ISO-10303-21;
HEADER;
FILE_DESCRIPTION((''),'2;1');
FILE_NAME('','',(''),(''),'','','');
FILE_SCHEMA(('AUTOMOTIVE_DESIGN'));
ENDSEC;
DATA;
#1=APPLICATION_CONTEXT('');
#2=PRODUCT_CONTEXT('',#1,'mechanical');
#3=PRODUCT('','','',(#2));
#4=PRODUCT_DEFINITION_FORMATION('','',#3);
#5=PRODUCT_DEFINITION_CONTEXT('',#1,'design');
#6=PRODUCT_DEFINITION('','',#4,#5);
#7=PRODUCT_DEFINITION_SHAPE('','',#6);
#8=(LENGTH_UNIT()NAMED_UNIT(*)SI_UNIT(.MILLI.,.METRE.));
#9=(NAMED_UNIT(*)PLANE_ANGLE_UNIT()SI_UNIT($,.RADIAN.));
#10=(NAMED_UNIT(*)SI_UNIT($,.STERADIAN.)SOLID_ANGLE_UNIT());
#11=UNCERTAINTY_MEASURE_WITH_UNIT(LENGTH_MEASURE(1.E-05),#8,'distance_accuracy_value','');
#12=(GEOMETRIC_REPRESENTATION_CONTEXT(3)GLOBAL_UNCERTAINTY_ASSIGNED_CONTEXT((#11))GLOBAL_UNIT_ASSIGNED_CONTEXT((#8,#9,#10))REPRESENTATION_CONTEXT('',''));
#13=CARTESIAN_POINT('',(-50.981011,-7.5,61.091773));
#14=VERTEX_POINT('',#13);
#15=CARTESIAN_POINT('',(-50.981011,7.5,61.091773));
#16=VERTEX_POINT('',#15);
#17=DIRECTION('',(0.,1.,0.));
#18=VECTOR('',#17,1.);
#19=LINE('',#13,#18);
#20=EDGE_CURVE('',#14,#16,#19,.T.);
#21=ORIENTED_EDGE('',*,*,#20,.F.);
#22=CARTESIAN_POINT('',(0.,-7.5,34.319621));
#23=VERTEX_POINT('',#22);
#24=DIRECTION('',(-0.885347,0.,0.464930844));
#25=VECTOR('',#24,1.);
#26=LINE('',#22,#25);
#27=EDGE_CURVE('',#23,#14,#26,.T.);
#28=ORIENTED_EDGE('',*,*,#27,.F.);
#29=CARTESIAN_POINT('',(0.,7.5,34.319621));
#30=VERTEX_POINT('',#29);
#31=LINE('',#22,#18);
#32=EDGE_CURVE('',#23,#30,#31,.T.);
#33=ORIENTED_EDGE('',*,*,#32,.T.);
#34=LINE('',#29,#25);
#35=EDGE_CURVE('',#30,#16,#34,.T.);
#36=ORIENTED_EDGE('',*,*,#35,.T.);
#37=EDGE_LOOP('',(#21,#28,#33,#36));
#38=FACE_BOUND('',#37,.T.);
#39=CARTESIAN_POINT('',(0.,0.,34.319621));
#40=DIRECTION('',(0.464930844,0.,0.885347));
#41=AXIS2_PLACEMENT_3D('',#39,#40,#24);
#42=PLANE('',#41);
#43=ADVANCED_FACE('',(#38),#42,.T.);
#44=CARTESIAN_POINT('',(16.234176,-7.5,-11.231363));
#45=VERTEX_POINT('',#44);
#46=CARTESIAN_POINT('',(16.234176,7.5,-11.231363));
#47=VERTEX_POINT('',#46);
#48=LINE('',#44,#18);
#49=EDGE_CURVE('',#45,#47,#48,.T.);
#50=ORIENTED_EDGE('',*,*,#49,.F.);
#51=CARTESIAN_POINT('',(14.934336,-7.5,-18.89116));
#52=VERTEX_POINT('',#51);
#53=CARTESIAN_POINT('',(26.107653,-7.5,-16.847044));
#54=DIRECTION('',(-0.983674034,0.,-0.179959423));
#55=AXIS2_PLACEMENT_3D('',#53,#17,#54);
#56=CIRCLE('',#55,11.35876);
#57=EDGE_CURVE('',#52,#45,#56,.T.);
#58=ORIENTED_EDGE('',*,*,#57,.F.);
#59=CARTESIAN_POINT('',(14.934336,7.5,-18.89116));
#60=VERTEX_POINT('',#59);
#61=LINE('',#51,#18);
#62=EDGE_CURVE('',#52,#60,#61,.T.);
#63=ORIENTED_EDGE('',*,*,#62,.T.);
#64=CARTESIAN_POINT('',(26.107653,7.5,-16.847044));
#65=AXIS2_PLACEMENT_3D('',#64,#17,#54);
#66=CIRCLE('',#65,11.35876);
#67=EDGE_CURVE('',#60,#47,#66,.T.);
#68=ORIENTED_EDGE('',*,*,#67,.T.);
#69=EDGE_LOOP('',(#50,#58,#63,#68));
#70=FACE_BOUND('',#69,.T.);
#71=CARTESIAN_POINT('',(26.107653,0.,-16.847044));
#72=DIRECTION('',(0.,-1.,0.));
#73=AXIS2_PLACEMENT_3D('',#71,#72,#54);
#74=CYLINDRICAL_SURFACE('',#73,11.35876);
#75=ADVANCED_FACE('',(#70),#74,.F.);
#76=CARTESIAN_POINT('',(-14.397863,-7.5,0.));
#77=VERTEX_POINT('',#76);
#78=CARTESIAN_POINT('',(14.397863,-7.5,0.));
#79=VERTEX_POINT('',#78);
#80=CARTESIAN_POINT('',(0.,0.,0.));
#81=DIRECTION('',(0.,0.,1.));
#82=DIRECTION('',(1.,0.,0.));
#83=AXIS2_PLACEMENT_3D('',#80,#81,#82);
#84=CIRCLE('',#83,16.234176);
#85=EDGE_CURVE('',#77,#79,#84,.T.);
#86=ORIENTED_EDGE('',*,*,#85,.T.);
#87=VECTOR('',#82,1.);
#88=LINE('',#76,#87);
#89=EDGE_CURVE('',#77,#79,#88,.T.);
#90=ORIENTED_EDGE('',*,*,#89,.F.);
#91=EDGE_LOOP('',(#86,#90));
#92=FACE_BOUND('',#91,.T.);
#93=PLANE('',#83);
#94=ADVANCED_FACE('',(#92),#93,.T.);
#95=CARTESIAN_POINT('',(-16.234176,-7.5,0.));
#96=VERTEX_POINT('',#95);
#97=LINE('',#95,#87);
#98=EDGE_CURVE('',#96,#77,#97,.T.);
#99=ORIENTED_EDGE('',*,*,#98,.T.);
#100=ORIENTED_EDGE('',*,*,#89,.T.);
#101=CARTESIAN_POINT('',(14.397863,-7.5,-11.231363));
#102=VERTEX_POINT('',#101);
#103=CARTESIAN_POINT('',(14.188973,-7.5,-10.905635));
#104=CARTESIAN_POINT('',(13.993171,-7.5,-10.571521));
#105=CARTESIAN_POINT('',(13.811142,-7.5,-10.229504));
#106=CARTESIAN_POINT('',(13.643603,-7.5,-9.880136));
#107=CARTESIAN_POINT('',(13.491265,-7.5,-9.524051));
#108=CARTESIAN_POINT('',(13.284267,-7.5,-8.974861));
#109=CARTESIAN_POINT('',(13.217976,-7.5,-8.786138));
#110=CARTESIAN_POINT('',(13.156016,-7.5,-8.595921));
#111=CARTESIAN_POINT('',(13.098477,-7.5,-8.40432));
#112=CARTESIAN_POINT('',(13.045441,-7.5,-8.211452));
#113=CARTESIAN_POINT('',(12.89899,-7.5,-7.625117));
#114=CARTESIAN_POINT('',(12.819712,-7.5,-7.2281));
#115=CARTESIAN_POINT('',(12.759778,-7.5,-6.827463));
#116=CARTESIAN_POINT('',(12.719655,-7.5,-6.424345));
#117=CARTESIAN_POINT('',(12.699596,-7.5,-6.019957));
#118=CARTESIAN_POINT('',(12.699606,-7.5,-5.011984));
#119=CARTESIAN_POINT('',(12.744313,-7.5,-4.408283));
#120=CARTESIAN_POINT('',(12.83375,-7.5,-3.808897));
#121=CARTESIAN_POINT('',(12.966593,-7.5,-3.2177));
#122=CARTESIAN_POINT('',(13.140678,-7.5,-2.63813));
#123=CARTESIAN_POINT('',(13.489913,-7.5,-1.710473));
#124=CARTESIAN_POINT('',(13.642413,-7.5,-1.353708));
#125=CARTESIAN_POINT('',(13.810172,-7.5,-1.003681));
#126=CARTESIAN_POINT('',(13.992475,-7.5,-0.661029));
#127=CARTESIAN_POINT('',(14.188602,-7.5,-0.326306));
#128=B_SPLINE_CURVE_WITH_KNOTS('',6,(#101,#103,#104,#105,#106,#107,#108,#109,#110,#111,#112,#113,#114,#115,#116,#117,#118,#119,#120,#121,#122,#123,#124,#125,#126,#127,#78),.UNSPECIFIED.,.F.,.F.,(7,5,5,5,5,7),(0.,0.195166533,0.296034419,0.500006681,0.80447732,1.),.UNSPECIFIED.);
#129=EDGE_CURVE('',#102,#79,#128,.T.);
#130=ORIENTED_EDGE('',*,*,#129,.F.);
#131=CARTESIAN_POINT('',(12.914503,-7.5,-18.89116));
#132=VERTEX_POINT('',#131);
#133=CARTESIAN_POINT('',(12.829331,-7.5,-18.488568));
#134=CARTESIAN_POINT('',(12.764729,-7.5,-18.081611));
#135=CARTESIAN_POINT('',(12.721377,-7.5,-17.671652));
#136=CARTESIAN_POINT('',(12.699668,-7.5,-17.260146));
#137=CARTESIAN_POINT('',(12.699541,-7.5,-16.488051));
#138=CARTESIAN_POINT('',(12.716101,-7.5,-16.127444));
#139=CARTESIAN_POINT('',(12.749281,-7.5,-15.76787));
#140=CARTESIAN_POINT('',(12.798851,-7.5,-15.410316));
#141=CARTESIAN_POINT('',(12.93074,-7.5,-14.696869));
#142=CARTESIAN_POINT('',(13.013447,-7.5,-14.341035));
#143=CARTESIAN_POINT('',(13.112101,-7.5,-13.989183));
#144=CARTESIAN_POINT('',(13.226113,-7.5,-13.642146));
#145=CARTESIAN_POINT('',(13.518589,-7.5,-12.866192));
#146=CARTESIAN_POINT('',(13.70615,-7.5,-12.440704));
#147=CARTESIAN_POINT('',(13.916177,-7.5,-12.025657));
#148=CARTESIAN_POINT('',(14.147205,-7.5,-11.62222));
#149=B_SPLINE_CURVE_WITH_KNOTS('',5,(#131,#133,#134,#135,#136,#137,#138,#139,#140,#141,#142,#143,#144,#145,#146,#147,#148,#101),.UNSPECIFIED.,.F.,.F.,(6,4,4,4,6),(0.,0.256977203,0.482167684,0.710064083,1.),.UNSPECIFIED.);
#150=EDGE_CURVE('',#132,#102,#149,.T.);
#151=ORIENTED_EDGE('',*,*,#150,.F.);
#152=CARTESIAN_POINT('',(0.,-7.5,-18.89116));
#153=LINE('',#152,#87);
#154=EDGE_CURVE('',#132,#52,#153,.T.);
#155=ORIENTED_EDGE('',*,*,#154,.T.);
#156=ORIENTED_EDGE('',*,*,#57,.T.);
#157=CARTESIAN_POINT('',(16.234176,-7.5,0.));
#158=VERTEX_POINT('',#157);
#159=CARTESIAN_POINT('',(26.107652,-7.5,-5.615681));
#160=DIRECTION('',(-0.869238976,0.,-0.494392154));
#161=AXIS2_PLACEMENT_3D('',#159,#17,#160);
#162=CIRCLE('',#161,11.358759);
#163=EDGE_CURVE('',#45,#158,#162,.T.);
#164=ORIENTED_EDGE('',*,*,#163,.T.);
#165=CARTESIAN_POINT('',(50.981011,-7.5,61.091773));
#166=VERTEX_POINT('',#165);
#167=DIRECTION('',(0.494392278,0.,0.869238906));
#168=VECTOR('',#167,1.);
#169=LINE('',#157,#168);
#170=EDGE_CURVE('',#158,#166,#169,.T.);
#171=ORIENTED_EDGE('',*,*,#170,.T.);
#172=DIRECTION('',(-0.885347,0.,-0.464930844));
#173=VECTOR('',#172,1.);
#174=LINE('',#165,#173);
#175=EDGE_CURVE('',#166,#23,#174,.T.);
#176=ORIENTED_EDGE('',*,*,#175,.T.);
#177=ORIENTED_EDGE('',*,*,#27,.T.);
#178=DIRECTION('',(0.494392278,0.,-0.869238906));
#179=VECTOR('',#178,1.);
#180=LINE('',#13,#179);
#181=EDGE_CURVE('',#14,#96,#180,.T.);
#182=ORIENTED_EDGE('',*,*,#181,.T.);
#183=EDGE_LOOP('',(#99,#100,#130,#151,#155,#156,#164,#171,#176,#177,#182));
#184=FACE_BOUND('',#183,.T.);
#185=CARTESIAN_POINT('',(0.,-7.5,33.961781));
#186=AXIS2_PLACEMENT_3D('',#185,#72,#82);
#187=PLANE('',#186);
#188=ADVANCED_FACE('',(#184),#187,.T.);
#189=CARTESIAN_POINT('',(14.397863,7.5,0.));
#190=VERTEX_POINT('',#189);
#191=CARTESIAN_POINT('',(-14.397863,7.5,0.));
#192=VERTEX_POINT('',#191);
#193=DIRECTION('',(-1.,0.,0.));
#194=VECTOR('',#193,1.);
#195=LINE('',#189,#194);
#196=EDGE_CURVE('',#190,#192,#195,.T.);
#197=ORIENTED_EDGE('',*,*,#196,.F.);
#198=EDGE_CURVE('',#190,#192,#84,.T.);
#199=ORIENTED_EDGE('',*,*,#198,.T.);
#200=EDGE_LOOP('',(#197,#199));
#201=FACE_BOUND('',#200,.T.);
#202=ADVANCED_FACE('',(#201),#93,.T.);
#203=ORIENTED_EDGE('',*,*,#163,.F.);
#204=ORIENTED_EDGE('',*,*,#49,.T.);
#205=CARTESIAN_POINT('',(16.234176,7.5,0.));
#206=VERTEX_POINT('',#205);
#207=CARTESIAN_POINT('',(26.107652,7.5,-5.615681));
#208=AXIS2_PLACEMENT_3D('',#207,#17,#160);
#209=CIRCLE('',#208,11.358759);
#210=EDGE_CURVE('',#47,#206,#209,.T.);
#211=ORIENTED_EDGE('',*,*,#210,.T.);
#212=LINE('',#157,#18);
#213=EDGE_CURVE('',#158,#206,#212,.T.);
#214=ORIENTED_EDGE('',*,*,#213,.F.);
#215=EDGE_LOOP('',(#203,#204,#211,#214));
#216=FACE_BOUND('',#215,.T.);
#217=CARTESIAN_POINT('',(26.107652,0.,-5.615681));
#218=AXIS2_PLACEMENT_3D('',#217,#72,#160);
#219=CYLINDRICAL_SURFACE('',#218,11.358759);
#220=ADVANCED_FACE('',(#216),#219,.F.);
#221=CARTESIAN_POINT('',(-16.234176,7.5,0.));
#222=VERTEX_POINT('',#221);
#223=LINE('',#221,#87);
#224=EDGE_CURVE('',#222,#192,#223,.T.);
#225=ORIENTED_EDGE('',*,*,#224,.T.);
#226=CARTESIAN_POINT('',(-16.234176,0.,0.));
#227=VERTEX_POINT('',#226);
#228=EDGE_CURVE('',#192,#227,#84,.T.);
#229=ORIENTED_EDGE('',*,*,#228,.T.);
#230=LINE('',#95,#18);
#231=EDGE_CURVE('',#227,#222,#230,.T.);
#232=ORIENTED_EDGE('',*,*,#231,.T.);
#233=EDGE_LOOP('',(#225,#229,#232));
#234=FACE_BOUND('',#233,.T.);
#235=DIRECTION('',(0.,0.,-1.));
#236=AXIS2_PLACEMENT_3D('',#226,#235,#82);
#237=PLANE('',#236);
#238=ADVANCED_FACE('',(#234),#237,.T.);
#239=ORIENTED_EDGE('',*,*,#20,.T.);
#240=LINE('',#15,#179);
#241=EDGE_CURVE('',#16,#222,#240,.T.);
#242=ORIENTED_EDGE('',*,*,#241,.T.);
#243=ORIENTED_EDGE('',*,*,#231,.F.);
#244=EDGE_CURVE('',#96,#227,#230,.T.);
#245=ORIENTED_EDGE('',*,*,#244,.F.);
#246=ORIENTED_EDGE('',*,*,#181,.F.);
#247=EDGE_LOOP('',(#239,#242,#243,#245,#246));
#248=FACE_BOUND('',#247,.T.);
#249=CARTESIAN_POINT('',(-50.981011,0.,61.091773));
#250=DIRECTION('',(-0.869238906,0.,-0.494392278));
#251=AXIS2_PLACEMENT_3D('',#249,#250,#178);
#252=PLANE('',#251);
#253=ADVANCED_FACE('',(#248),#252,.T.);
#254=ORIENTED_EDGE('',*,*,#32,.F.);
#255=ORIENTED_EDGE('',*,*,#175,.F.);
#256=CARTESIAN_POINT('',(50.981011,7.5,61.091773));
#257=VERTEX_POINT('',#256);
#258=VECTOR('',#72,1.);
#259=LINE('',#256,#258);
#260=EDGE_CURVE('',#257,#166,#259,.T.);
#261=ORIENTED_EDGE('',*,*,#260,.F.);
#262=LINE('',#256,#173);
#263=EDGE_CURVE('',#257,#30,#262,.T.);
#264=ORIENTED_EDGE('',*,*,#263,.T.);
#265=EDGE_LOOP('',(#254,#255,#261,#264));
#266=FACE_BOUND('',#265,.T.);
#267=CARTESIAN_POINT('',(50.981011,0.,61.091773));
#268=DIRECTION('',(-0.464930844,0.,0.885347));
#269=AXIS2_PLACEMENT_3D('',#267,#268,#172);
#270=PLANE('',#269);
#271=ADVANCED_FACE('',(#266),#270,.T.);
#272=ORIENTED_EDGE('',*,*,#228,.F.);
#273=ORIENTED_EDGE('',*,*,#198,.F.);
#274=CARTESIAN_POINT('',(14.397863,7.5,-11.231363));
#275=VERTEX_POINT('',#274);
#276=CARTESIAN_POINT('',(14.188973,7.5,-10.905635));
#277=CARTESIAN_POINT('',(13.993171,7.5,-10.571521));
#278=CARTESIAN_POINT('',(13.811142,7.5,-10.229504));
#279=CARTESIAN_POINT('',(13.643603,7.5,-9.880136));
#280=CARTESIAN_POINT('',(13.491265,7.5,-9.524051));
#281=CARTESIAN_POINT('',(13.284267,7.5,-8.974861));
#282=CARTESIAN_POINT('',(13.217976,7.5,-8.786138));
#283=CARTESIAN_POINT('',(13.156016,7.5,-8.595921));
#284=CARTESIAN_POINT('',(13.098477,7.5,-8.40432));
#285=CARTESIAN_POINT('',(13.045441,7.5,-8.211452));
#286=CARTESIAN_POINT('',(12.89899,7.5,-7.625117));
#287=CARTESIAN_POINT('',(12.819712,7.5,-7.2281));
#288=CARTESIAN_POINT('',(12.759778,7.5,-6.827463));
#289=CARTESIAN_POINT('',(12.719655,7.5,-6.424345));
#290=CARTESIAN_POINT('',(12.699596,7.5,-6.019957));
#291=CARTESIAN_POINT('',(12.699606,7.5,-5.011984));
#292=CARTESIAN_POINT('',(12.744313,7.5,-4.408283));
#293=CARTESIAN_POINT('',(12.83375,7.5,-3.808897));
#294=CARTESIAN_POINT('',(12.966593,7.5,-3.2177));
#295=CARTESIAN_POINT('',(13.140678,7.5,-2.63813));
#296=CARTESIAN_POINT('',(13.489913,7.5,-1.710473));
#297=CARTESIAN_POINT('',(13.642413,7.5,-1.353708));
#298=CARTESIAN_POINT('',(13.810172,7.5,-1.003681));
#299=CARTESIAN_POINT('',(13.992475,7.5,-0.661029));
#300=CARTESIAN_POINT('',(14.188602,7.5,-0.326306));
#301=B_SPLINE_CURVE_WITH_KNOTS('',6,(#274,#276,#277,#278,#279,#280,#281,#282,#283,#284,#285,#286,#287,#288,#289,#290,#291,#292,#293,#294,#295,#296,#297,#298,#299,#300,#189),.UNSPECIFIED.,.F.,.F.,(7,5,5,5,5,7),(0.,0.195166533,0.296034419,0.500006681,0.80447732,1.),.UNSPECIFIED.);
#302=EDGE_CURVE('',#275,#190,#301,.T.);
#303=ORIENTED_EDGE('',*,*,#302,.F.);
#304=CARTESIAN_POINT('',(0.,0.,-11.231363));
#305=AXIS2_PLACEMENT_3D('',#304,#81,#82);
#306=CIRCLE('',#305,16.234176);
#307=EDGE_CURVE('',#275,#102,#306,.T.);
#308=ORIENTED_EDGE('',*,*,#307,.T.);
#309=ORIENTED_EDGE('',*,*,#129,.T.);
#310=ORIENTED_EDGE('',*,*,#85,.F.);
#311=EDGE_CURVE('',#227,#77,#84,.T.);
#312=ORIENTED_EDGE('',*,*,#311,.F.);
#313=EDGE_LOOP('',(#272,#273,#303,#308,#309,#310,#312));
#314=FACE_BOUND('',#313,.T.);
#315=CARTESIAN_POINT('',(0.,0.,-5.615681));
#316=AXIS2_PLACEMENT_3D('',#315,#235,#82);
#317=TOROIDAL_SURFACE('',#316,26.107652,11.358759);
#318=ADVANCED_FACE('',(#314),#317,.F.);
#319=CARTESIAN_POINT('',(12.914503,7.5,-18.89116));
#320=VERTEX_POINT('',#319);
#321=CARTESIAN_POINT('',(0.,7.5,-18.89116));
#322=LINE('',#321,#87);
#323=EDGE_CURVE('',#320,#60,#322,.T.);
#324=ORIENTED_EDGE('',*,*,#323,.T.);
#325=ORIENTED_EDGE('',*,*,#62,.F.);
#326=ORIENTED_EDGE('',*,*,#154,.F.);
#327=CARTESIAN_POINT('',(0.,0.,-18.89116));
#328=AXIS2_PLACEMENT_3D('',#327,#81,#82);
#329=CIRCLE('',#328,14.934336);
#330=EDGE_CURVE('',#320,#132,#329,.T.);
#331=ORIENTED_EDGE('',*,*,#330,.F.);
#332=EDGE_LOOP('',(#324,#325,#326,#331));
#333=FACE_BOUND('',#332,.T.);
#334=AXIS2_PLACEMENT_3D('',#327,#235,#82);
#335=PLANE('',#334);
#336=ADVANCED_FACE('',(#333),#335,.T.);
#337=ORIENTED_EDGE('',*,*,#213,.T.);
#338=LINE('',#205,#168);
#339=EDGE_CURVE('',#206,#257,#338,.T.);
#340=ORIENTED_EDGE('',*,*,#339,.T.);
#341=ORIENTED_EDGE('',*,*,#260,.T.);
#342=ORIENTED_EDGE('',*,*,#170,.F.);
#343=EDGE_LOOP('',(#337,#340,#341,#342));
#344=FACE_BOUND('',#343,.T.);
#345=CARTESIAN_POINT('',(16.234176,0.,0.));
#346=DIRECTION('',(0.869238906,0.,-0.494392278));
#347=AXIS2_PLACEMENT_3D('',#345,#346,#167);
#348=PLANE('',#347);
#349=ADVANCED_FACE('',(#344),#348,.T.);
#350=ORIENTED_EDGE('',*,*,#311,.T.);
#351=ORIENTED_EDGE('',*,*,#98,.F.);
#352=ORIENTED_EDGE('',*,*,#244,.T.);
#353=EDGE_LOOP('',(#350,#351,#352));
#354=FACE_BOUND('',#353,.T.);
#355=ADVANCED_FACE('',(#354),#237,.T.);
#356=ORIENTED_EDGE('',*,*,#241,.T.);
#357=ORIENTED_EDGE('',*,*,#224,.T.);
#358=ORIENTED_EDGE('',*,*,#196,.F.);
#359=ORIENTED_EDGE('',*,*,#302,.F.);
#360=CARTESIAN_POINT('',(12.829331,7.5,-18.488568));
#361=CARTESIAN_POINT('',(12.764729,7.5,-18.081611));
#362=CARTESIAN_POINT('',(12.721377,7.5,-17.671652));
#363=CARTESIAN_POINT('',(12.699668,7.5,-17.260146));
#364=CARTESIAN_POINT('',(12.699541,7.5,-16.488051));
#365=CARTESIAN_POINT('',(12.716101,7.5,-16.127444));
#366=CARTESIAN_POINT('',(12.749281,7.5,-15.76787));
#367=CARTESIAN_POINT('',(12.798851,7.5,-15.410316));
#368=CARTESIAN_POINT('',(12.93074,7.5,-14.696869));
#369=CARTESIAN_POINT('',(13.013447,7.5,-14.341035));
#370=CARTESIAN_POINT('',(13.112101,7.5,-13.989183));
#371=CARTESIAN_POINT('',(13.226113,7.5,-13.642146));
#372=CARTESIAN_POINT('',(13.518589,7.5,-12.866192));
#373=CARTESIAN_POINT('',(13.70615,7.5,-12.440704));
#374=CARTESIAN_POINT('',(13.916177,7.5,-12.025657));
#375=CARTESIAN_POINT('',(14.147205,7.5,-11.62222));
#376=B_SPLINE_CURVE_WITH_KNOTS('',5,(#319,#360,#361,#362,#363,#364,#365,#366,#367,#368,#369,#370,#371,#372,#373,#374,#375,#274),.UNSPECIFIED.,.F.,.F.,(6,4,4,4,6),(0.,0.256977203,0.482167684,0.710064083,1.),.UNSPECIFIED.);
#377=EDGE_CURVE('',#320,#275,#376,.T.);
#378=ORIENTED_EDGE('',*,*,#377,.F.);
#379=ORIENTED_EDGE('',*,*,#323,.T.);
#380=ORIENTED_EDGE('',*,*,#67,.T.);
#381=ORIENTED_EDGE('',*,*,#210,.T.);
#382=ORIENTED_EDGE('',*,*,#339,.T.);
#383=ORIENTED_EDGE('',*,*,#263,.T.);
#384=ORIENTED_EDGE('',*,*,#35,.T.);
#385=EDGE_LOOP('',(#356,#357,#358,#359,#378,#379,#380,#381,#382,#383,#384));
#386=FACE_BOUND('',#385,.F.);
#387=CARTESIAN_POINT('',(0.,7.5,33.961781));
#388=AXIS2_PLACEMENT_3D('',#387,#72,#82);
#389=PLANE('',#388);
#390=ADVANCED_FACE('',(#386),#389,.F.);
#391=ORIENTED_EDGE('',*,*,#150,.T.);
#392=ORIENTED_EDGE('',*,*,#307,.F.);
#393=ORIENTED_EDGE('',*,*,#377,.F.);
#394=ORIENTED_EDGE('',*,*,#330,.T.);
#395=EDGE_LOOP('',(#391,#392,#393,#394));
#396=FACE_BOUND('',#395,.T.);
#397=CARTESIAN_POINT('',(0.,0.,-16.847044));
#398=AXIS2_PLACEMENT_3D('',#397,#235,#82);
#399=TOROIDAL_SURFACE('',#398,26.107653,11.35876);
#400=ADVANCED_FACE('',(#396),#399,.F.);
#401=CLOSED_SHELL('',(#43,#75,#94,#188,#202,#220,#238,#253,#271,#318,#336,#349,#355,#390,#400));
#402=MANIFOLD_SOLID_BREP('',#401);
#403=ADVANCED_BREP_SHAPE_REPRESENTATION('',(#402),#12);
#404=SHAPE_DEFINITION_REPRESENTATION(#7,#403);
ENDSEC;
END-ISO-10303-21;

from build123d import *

# Parameters (mm, degrees)
F2_DEPTH = 7.5


with BuildPart() as f1:
    # F0 (on Front) → F1 (revolve)
    with BuildSketch(Plane.XZ):
        with BuildLine():
            Line((16.234176, 0), (0, 0))
            Line((0, 0), (0, -18.89116))
            Line((0, -18.89116), (14.934336, -18.89116))
            ThreePointArc((14.934336, -18.89116), (14.908992, -14.946672), (16.234176, -11.231363))
            ThreePointArc((16.234176, -11.231363), (14.748893, -5.615682), (16.234176, 0))
        make_face()
    revolve(axis=Axis((0, 0, -9.44558), (0, 0, 1)))

    # F0 (on Front) → F2 (join, symmetric)
    with BuildSketch(Plane.XZ):
        Polygon((-16.234176, 0), (0, 0), (16.234176, 0), (50.981011, 61.091773), (0, 34.319621), (-50.981011, 61.091773), align=None)
        with BuildLine():
            Line((16.234176, 0), (0, 0))
            Line((0, 0), (0, -18.89116))
            Line((0, -18.89116), (14.934336, -18.89116))
            ThreePointArc((14.934336, -18.89116), (14.908992, -14.946672), (16.234176, -11.231363))
            ThreePointArc((16.234176, -11.231363), (14.748893, -5.615682), (16.234176, 0))
        make_face()
    extrude(amount=F2_DEPTH, both=True)


solid = f1.part
